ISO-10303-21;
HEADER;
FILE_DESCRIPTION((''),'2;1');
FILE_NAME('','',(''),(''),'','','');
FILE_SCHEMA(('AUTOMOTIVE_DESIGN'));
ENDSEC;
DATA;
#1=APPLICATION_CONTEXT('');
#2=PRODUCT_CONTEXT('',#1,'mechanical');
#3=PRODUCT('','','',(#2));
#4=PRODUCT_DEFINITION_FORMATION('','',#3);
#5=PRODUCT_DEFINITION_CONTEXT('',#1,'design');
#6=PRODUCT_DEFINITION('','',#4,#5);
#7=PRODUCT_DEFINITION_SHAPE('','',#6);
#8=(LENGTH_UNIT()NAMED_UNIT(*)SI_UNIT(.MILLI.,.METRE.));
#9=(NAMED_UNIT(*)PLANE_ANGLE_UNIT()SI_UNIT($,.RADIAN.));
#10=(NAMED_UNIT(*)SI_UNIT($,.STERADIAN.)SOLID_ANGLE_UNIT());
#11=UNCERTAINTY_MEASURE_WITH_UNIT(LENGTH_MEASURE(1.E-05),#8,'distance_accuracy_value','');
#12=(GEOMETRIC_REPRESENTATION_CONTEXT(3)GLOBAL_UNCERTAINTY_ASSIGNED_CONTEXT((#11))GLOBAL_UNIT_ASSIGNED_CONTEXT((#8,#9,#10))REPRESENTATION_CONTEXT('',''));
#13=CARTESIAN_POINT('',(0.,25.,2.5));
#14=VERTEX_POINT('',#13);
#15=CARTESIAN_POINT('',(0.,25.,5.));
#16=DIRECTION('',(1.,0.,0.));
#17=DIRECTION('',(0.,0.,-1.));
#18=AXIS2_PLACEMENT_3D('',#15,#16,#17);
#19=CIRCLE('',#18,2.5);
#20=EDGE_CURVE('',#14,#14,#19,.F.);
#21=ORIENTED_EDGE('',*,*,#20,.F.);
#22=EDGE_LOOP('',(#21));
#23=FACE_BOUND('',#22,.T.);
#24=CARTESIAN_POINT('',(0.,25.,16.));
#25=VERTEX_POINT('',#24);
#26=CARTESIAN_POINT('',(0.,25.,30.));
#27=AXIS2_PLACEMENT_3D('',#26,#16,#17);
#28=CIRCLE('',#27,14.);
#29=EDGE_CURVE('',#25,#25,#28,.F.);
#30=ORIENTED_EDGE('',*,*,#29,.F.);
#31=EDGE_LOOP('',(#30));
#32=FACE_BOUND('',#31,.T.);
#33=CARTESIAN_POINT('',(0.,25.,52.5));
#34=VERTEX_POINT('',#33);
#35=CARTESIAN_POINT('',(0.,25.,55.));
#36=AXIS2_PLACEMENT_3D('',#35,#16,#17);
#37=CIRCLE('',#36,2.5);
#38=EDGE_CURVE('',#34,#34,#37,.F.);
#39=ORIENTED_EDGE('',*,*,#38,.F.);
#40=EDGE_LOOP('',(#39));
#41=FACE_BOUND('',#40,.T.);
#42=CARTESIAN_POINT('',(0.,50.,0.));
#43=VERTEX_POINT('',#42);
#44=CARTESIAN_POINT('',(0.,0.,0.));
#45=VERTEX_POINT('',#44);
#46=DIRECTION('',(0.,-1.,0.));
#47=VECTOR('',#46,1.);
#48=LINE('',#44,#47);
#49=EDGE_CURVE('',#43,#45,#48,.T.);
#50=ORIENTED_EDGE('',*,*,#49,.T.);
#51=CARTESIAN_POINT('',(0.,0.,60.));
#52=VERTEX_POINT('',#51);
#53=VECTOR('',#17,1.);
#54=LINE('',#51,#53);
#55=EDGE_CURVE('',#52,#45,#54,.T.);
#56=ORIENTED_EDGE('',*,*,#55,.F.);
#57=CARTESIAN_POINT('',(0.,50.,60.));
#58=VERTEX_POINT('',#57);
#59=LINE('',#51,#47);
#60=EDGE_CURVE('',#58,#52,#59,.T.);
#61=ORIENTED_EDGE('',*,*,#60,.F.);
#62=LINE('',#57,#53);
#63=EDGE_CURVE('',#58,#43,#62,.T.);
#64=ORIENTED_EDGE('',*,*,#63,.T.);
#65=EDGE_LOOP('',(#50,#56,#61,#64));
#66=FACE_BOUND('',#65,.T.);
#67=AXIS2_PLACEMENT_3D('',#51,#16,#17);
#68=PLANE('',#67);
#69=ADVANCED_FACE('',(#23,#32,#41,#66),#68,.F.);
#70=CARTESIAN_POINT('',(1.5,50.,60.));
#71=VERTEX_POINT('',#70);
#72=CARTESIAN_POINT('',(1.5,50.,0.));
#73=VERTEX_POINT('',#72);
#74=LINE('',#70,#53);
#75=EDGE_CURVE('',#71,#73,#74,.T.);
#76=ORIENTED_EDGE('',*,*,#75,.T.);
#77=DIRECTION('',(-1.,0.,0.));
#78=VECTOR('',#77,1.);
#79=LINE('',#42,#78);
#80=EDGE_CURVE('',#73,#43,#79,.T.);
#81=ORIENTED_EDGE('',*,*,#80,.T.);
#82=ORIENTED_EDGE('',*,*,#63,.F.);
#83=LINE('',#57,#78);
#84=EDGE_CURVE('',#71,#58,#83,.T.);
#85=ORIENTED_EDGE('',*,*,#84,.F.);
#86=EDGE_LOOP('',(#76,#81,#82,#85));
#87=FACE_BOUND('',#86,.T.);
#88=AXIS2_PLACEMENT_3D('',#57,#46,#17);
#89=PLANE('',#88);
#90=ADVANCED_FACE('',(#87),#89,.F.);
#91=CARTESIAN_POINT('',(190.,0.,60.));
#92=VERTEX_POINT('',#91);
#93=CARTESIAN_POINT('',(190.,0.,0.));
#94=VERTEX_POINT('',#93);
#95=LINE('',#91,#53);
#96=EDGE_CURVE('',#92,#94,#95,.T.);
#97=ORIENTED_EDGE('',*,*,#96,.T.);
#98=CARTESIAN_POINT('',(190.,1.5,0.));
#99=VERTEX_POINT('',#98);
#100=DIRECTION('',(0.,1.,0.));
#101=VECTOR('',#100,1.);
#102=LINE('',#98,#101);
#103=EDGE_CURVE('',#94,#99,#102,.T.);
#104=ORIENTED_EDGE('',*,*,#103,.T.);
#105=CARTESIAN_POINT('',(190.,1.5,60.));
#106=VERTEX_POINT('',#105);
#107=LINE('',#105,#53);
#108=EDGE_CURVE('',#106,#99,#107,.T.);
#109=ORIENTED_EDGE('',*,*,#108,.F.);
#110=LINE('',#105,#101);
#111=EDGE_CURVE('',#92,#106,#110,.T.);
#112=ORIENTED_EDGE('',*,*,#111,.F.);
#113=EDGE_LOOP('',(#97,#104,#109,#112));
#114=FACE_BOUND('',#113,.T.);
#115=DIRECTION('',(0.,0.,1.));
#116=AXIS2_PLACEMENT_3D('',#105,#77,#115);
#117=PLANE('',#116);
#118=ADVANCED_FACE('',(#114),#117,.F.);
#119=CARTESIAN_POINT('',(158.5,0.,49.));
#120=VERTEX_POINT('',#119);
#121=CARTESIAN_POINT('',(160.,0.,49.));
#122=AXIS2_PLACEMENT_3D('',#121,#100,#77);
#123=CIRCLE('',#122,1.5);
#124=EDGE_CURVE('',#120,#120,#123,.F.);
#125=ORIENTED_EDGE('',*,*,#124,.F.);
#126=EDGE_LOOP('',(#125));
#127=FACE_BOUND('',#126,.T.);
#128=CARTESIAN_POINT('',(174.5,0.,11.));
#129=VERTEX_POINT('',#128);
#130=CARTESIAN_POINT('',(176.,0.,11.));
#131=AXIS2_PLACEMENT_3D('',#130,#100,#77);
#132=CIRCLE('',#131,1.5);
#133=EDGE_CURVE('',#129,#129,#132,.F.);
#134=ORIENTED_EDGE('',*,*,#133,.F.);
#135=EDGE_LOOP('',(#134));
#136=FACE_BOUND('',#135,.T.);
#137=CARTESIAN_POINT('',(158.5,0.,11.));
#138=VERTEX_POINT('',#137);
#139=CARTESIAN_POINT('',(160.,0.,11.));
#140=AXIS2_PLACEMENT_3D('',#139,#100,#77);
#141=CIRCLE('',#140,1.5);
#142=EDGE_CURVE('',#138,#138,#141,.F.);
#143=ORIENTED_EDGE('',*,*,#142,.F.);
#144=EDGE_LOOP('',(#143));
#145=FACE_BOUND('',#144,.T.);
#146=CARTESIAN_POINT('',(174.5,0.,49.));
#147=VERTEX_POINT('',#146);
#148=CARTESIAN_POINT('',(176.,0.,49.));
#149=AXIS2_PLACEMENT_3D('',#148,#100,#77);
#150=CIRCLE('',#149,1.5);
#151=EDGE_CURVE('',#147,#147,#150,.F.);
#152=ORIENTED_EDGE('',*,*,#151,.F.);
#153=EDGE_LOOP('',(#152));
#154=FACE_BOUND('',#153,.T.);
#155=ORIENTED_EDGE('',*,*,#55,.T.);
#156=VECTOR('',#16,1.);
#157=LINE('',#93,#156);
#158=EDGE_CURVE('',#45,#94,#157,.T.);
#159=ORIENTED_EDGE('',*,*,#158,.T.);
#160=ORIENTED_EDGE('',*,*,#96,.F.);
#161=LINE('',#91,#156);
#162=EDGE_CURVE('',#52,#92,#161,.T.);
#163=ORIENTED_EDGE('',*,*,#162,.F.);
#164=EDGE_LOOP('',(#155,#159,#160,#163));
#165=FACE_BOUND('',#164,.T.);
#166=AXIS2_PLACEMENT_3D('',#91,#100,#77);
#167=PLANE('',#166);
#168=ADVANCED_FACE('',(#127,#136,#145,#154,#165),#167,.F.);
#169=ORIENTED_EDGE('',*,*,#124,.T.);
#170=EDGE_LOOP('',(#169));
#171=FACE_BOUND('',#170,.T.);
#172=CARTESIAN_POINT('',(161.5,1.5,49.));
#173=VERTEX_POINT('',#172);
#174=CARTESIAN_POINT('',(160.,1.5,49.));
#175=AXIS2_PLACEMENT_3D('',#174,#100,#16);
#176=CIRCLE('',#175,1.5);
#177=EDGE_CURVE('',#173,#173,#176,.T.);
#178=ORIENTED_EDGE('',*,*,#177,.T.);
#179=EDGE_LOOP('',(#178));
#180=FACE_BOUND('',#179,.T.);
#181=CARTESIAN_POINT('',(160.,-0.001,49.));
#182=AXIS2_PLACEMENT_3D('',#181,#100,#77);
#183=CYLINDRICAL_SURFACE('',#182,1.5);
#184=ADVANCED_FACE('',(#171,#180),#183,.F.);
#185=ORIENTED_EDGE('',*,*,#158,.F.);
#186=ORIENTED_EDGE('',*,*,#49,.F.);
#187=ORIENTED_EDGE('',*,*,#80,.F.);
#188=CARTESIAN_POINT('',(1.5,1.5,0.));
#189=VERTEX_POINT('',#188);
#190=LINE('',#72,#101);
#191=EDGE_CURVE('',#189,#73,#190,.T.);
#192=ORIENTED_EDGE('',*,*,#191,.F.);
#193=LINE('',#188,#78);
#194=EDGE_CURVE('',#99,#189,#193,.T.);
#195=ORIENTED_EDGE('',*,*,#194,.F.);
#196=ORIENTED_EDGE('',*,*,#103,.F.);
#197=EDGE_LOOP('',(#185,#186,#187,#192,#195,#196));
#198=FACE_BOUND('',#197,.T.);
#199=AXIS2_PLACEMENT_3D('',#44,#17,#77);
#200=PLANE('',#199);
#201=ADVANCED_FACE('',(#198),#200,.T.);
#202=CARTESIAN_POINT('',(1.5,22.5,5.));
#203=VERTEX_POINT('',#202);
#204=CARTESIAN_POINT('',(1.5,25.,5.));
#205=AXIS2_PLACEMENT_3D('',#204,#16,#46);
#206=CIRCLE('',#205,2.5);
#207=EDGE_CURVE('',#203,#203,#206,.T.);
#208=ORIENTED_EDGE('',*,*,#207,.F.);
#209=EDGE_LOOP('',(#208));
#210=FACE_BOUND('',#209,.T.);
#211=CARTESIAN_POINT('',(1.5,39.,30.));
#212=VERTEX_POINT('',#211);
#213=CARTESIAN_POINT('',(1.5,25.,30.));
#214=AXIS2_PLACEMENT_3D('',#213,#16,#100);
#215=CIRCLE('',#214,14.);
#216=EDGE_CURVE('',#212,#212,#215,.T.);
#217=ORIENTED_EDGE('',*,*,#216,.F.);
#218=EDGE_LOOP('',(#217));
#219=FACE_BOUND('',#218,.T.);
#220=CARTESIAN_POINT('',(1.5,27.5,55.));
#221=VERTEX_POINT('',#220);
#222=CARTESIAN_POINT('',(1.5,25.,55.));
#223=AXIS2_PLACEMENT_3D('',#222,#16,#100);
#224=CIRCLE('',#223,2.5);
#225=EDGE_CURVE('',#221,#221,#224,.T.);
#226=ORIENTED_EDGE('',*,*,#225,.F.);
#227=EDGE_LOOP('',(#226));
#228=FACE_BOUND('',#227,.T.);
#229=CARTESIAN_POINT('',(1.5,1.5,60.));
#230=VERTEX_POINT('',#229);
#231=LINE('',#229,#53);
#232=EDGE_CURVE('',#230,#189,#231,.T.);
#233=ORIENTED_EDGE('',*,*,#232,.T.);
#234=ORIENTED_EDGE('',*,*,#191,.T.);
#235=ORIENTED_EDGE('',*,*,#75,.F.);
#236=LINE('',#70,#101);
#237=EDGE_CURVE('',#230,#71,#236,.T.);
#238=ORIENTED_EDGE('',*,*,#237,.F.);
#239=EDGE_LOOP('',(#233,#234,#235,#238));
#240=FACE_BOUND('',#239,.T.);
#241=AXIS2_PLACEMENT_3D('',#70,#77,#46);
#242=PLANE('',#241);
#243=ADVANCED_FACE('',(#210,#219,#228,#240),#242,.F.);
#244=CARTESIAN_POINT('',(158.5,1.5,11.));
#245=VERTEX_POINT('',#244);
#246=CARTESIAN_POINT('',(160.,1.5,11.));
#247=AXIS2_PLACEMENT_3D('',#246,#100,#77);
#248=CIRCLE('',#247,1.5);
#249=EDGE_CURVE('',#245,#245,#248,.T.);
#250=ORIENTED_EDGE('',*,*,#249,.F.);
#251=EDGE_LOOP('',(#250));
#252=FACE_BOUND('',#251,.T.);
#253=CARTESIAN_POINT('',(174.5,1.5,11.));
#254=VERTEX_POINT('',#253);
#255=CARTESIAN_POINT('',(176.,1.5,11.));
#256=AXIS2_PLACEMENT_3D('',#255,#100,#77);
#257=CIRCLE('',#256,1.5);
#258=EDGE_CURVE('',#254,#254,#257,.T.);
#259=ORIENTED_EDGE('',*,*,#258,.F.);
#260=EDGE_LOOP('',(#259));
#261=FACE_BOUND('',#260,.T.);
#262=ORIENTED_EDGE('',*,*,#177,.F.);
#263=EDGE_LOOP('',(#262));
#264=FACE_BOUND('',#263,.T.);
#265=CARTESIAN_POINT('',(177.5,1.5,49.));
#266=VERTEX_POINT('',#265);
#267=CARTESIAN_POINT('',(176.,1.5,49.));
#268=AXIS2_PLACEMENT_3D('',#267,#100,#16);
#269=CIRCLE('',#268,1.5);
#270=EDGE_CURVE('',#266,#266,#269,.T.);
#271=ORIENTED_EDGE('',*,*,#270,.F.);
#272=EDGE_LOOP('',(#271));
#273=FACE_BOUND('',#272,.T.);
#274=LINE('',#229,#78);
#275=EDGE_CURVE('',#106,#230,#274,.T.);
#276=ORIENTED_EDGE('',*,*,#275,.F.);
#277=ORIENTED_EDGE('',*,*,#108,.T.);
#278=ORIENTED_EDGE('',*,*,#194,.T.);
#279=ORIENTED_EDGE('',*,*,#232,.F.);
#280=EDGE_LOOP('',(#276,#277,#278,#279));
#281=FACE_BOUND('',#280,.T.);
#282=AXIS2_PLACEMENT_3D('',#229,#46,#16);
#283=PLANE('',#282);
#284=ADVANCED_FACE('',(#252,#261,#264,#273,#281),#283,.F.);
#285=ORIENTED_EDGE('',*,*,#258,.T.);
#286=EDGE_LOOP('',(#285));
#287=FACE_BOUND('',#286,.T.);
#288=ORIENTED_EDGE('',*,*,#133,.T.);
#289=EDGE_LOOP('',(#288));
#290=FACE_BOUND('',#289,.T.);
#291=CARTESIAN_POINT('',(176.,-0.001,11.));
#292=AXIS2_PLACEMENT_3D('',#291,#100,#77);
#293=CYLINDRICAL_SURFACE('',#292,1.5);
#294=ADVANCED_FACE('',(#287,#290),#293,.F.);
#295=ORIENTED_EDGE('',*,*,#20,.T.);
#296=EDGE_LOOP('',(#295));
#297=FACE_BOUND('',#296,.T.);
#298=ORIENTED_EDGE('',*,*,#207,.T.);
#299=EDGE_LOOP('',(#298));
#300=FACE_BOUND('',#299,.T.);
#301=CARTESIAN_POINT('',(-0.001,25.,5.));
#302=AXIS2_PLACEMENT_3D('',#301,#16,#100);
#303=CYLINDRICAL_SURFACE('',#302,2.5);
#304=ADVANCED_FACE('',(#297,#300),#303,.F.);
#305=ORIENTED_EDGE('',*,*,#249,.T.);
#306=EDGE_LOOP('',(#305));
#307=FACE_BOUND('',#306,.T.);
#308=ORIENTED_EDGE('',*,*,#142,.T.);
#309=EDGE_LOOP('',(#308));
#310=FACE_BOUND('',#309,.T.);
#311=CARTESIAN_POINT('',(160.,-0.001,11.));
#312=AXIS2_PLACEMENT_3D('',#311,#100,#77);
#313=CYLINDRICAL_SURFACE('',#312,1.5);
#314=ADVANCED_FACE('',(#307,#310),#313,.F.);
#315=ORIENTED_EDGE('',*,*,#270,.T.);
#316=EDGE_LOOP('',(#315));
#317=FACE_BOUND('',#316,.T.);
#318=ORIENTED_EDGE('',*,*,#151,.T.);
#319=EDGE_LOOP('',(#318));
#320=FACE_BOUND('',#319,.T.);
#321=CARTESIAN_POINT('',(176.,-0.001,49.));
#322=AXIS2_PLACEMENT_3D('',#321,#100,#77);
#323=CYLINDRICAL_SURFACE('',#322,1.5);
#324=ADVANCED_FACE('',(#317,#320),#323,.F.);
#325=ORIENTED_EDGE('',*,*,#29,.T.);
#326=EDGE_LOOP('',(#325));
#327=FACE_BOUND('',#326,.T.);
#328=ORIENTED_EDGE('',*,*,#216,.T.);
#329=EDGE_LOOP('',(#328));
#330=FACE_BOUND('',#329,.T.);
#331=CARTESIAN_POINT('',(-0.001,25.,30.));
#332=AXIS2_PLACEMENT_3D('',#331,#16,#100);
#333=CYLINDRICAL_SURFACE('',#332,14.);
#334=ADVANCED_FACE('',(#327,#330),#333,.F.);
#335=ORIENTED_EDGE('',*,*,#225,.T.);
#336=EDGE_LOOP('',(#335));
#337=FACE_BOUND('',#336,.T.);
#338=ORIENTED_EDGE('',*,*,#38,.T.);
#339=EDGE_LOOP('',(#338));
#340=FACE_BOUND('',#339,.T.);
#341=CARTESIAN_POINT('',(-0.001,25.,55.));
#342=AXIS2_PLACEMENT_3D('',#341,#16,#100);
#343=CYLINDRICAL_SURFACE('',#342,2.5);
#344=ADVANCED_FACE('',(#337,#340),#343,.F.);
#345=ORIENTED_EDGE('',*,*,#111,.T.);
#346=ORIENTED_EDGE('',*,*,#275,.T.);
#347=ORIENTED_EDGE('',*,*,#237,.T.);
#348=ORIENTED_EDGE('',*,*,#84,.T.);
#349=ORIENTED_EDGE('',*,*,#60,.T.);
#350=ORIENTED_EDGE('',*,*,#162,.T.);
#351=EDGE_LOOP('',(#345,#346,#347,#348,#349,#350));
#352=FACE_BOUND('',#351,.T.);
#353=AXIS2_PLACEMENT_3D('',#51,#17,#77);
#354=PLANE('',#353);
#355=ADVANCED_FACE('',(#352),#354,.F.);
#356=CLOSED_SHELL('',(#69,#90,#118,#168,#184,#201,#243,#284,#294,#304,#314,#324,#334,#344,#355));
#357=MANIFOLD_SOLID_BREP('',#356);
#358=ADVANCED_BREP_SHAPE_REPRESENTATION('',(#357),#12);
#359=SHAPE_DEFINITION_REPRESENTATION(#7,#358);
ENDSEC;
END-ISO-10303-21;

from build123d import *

# Parameters (mm, degrees)
BOSS_EXTRUDE1_DEPTH = 60
CUT_EXTRUDE1_REACH  = 3.5
SKETCH2_R           = 14
SKETCH2_R_2         = 2.5
CUT_EXTRUDE2_REACH  = 3.5
SKETCH3_R           = 1.5


with BuildPart() as part:
    # Sketch1 → Boss-Extrude1 (new body)
    with BuildSketch(Plane.XY):
        Polygon((0, 0), (0, 50), (1.5, 50), (1.5, 1.5), (190, 1.5), (190, 0), align=None)
    extrude(amount=BOSS_EXTRUDE1_DEPTH)

    # Sketch2 → Cut-Extrude1 (cut, up to next)
    with BuildSketch(Plane(origin=(1.5, 0, 0), x_dir=(0, 0, -1), z_dir=(1, 0, 0)), mode=Mode.PRIVATE) as cut_extrude1_sk1:
        with Locations((-30, 25)):
            Circle(SKETCH2_R)
    cut_extrude1_tool1 = extrude(cut_extrude1_sk1.sketch, amount=-CUT_EXTRUDE1_REACH, mode=Mode.PRIVATE) & part.part
    add(cut_extrude1_tool1.solids().sort_by_distance((1.5, 25, 30))[0], mode=Mode.SUBTRACT)
    # Sketch2 → Cut-Extrude1 (cut, up to next)
    with BuildSketch(Plane(origin=(1.5, 0, 0), x_dir=(0, 0, -1), z_dir=(1, 0, 0)), mode=Mode.PRIVATE) as cut_extrude1_sk2:
        with Locations((-55, 25)):
            Circle(SKETCH2_R_2)
    cut_extrude1_tool2 = extrude(cut_extrude1_sk2.sketch, amount=-CUT_EXTRUDE1_REACH, mode=Mode.PRIVATE) & part.part
    add(cut_extrude1_tool2.solids().sort_by_distance((1.5, 25, 55))[0], mode=Mode.SUBTRACT)
    # Sketch2 → Cut-Extrude1 (cut, up to next)
    with BuildSketch(Plane(origin=(1.5, 0, 0), x_dir=(0, 0, -1), z_dir=(1, 0, 0)), mode=Mode.PRIVATE) as cut_extrude1_sk3:
        with Locations((-5, 25)):
            Circle(SKETCH2_R_2)
    cut_extrude1_tool3 = extrude(cut_extrude1_sk3.sketch, amount=-CUT_EXTRUDE1_REACH, mode=Mode.PRIVATE) & part.part
    add(cut_extrude1_tool3.solids().sort_by_distance((1.5, 25, 5))[0], mode=Mode.SUBTRACT)

    # Sketch3 → Cut-Extrude2 (cut, up to next)
    with BuildSketch(Plane(origin=(0, 1.5, 0), x_dir=(1, 0, 0), z_dir=(0, 1, 0)), mode=Mode.PRIVATE) as cut_extrude2_sk1:
        with Locations((160, -11)):
            Circle(SKETCH3_R)
    cut_extrude2_tool1 = extrude(cut_extrude2_sk1.sketch, amount=-CUT_EXTRUDE2_REACH, mode=Mode.PRIVATE) & part.part
    add(cut_extrude2_tool1.solids().sort_by_distance((160, 1.5, 11))[0], mode=Mode.SUBTRACT)
    # Sketch3 → Cut-Extrude2 (cut, up to next)
    with BuildSketch(Plane(origin=(0, 1.5, 0), x_dir=(1, 0, 0), z_dir=(0, 1, 0)), mode=Mode.PRIVATE) as cut_extrude2_sk2:
        with Locations((176, -11)):
            Circle(SKETCH3_R)
    cut_extrude2_tool2 = extrude(cut_extrude2_sk2.sketch, amount=-CUT_EXTRUDE2_REACH, mode=Mode.PRIVATE) & part.part
    add(cut_extrude2_tool2.solids().sort_by_distance((176, 1.5, 11))[0], mode=Mode.SUBTRACT)
    # Sketch3 → Cut-Extrude2 (cut, up to next)
    with BuildSketch(Plane(origin=(0, 1.5, 0), x_dir=(1, 0, 0), z_dir=(0, 1, 0)), mode=Mode.PRIVATE) as cut_extrude2_sk3:
        with Locations((176, -49)):
            Circle(SKETCH3_R)
    cut_extrude2_tool3 = extrude(cut_extrude2_sk3.sketch, amount=-CUT_EXTRUDE2_REACH, mode=Mode.PRIVATE) & part.part
    add(cut_extrude2_tool3.solids().sort_by_distance((176, 1.5, 49))[0], mode=Mode.SUBTRACT)
    # Sketch3 → Cut-Extrude2 (cut, up to next)
    with BuildSketch(Plane(origin=(0, 1.5, 0), x_dir=(1, 0, 0), z_dir=(0, 1, 0)), mode=Mode.PRIVATE) as cut_extrude2_sk4:
        with Locations((160, -49)):
            Circle(SKETCH3_R)
    cut_extrude2_tool4 = extrude(cut_extrude2_sk4.sketch, amount=-CUT_EXTRUDE2_REACH, mode=Mode.PRIVATE) & part.part
    add(cut_extrude2_tool4.solids().sort_by_distance((160, 1.5, 49))[0], mode=Mode.SUBTRACT)


solid = part.part
